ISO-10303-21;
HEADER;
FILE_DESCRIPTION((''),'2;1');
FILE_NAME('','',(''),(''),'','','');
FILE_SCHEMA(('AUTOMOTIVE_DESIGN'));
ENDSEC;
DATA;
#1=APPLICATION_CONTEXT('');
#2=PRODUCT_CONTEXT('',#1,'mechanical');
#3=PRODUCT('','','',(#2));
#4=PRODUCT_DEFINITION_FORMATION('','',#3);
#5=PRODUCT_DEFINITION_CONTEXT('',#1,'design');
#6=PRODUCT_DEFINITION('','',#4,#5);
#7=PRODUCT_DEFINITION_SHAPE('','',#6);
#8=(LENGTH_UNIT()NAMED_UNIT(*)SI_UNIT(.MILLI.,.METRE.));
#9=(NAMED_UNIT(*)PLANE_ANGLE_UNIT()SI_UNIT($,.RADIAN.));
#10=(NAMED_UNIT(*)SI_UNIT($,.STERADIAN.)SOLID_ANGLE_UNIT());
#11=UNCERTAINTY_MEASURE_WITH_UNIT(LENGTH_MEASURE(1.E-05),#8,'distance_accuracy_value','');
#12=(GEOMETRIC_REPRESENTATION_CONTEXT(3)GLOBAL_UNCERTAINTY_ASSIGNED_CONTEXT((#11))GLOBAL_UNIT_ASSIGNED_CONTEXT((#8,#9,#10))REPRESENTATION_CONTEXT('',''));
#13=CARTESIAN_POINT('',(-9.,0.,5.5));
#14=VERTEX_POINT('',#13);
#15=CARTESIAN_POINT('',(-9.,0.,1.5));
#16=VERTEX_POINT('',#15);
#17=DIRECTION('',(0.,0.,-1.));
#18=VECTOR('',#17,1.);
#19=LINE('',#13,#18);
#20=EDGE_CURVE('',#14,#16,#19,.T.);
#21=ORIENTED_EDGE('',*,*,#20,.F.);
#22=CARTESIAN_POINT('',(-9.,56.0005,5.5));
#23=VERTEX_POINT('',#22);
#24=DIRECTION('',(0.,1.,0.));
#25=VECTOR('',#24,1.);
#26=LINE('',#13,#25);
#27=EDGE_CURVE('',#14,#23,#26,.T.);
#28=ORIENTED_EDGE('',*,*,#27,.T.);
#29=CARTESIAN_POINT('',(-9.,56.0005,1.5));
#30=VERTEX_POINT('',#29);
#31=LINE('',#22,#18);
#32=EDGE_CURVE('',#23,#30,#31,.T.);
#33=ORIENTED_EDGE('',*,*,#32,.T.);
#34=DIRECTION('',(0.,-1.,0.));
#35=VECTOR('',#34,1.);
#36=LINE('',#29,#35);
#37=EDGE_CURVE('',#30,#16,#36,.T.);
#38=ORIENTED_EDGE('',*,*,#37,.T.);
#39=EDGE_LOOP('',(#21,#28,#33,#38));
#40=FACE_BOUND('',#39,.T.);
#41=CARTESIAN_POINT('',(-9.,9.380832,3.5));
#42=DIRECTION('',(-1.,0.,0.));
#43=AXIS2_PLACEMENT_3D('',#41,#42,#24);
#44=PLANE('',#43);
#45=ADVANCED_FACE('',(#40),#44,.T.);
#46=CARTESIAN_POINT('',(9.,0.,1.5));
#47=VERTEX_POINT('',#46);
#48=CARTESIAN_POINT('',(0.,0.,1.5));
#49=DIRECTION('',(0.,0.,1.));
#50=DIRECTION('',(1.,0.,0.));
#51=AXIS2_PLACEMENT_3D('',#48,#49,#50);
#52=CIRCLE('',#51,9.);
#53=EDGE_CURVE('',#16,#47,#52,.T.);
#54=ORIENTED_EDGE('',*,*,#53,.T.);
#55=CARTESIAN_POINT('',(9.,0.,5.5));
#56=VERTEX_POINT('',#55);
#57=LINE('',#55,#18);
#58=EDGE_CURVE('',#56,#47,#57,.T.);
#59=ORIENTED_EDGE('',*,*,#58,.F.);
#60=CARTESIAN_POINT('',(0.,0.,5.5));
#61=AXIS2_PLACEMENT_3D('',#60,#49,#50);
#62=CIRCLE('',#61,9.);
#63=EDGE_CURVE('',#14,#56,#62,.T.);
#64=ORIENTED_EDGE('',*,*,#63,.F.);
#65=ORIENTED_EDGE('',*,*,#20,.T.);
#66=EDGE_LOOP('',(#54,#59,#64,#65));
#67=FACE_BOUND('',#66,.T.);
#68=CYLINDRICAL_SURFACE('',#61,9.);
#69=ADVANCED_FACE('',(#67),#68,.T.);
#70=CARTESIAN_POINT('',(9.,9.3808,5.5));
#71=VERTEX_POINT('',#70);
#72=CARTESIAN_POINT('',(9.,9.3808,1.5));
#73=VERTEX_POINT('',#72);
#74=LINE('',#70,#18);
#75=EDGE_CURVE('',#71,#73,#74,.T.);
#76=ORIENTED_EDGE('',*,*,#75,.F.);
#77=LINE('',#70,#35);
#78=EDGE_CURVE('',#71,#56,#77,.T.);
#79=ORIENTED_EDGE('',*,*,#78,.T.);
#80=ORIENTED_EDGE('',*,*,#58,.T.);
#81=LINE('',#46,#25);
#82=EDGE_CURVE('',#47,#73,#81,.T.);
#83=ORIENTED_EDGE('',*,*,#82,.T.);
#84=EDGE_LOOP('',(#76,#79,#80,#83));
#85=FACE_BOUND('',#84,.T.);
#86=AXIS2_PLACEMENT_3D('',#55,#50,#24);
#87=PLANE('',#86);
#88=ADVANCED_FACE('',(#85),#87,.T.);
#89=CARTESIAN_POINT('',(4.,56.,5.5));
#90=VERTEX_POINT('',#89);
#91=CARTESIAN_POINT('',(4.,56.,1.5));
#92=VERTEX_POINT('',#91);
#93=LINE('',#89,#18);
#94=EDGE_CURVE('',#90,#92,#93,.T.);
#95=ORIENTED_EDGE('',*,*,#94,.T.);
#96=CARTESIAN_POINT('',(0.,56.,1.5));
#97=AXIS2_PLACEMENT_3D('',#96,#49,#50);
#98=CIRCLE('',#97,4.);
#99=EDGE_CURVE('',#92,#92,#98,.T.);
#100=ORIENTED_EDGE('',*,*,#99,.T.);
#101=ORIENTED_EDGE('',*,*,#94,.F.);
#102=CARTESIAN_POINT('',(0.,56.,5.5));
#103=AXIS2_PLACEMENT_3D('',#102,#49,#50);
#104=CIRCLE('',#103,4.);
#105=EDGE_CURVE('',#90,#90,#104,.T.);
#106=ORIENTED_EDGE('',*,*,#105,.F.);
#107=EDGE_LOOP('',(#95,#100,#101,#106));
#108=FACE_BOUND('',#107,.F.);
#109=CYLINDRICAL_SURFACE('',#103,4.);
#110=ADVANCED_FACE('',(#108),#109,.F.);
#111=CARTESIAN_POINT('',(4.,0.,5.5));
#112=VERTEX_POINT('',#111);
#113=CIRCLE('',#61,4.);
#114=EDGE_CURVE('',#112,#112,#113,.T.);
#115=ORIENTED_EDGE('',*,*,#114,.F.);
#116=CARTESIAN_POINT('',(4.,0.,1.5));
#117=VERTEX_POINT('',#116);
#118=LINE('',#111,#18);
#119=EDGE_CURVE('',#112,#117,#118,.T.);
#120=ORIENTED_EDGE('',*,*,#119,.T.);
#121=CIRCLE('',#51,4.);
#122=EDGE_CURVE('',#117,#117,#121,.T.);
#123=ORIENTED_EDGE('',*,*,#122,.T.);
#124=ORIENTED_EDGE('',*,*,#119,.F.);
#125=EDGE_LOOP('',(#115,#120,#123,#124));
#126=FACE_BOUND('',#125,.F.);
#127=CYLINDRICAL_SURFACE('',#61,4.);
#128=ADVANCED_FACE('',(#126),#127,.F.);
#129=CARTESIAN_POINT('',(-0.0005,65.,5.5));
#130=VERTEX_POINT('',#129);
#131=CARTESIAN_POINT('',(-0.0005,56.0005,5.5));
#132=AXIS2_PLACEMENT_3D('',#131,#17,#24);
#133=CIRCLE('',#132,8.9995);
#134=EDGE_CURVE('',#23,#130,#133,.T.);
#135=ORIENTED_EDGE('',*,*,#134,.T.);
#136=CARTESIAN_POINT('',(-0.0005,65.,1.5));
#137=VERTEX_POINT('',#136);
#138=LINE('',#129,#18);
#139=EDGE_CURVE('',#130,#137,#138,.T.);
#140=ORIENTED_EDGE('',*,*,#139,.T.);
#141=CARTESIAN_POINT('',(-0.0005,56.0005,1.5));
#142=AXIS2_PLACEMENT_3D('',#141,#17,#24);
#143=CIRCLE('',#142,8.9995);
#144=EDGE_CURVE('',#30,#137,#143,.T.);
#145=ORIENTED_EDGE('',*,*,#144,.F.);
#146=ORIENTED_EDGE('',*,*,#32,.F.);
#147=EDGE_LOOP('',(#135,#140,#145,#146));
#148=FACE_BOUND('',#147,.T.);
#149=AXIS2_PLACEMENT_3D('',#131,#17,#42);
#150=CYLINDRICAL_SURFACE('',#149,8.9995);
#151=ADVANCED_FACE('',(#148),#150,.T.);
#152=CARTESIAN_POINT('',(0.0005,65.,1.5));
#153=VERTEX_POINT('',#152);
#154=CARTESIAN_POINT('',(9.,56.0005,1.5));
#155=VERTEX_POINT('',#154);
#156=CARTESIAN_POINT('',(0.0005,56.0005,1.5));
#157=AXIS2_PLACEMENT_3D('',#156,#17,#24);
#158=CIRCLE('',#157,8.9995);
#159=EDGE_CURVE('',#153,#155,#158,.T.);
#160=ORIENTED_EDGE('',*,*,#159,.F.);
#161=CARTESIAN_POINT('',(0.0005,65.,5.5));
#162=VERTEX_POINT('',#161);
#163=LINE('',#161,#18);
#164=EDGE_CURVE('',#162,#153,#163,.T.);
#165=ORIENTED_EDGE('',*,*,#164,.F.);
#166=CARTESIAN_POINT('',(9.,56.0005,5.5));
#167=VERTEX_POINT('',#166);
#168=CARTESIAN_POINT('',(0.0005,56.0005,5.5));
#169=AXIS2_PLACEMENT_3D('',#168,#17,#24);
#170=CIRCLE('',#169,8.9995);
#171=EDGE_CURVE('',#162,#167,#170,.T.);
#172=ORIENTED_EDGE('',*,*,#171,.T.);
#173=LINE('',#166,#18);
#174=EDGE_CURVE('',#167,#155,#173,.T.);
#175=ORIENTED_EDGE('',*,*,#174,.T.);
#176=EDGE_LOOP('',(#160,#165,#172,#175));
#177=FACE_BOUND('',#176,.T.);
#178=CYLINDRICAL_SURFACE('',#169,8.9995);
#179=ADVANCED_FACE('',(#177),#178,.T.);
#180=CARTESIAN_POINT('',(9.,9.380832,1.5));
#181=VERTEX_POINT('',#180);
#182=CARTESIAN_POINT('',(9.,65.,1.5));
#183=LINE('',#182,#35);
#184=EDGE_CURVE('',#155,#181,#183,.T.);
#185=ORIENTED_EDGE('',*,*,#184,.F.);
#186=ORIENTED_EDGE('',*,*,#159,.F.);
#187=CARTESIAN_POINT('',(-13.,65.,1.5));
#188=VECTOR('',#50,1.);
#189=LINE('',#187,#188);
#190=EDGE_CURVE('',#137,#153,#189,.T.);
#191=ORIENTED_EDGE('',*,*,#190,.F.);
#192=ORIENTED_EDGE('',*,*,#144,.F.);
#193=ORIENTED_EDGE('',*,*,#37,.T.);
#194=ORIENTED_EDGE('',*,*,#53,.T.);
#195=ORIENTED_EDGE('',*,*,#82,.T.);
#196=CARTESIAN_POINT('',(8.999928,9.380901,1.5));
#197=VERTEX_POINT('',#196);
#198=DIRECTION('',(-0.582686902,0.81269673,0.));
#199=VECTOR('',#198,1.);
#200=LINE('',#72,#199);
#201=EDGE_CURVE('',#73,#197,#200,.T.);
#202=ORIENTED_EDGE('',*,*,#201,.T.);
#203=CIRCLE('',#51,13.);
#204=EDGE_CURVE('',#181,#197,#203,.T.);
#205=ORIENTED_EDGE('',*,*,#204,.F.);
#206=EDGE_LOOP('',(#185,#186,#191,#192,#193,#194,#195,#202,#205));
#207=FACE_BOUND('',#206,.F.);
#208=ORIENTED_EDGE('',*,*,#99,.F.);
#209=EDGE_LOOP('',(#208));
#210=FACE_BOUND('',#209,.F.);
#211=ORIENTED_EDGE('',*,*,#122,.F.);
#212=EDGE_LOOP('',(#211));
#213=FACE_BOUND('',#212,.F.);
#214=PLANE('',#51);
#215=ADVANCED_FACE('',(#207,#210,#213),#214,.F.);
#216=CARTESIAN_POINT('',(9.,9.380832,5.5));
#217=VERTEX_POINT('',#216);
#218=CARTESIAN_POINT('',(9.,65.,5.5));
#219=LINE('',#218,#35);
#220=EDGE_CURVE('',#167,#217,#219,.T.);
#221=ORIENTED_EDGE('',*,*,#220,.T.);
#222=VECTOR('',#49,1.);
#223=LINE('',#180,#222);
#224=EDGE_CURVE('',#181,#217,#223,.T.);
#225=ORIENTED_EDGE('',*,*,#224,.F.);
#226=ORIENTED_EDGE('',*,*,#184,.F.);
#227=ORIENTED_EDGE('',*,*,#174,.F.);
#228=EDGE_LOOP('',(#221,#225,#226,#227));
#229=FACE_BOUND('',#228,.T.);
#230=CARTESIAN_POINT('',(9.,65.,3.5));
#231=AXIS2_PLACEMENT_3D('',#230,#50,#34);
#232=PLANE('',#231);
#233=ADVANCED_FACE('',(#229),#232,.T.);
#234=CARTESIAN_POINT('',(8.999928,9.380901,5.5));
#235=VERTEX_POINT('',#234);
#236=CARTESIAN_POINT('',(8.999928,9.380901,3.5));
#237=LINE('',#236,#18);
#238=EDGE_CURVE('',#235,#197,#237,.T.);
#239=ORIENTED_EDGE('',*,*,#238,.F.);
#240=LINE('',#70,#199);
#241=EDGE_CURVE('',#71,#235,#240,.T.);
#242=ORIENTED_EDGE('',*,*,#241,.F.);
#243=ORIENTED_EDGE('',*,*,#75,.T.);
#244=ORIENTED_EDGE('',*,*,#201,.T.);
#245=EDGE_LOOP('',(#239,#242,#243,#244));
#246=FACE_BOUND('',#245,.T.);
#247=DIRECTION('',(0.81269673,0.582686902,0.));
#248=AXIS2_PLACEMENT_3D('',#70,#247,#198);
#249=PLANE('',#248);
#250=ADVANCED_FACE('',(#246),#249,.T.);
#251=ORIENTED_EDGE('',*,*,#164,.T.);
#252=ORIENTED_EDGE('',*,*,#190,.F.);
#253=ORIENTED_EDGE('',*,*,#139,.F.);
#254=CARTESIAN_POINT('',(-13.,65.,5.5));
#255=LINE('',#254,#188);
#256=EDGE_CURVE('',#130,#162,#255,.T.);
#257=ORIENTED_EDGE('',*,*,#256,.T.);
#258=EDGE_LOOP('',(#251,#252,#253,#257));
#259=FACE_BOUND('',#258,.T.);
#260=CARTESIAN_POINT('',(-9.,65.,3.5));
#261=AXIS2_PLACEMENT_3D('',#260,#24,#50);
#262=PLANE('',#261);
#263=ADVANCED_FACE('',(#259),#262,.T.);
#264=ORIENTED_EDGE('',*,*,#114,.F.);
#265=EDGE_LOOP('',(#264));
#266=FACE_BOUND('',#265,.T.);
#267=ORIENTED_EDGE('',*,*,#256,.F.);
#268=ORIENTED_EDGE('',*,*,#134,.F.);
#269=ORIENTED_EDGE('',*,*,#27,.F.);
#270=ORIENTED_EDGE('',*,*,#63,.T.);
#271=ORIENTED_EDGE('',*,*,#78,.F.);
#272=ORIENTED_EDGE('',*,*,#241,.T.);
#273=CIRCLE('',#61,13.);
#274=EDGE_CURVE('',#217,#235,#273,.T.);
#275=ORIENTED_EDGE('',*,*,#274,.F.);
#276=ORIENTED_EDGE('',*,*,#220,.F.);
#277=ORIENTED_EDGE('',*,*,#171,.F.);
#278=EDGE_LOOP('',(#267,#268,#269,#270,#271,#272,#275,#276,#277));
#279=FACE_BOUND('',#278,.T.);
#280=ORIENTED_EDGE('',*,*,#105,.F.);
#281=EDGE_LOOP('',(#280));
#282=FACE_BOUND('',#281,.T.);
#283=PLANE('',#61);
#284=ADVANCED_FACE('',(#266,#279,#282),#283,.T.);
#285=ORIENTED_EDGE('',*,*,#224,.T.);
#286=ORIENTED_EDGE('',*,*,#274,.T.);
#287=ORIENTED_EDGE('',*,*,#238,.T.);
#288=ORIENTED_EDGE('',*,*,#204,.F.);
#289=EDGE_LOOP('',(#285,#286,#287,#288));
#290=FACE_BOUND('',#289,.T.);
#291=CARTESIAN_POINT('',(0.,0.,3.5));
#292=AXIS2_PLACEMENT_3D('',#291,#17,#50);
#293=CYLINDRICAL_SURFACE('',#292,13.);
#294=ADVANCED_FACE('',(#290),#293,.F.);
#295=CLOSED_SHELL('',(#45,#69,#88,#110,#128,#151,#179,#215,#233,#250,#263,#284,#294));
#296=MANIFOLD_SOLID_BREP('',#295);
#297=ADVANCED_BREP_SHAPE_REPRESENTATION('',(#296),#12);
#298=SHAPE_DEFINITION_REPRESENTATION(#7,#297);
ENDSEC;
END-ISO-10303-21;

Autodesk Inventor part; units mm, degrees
ref_plane "YZ Plane" through (0, 0, 0) normal (1, 0, 0) x (0, 1, 0)
ref_plane "XZ Plane" through (0, 0, 0) normal (0, 1, 0) x (-1, 0, 0)
ref_plane "Work Plane1" through (0, 0, 3.5) normal (0, 0, 1) x (1, 0, 0)
sketch "Sketch2" plane through (0, 0, 3.5) normal (0, 0, 1) x (1, 0, 0)
  circle A0 centre (0, 0) radius 13 projected
  line L0 (13, 0) -> (-13, 0)
  line L1 (-13, 0) -> (-13, 65)
  line L2 (-13, 65) -> (13, 65)
  line L3 (13, 65) -> (13, 0)
  line L4 (9, 0) -> (-9, 0)
  line L5 (-9, 0) -> (-9, 65)
  line L6 (-9, 65) -> (9, 65)
  line L7 (9, 65) -> (9, 0)
  point P0 (9, 9.3808)
  point P1 (9, 65)
  point P2 (-9, 9.3808)
  dimension "d5" = 65
  dimension "d15" = 18
extrude "Extrusion2" add sketch "Sketch2" along normal blind 2 and the other way blind 2 contours L5 L2 L7 A0
fillet "Fillet1" radius 9 2 edges at (9, 65, 3.5) (-9, 65, 3.5)
sketch "Sketch3" plane through (0, 0, 5.5) normal (0, 0, 1) x (1, 0, 0)
  circle A0 centre (0, 56) radius 4
  arc A1 (9, 56) -> (-9, 56) centre (0, 56) ccw projected
  point P0 (0, 0)
  dimension "d11" = 8
  dimension "d17" = 0
extrude "Extrusion3" cut sketch "Sketch3" against normal up to surface (4 mm away)
sketch "Sketch4" plane through (0, 0, 5.5) normal (0, 0, 1) x (1, 0, 0)
  circle A0 centre (0, 0) radius 11 projected
  circle A1 centre (0, 0) radius 4
  circle A2 centre (0, 0) radius 9
  line L0 (9, 9.3808) -> (9, 56) projected
  line L1 (9, 0) -> (9, 9.3808)
  line L2 (-9, 0) -> (-9, 9.8723)
  line L3 (-9, 56) -> (-9, 9.3808) projected
  line L4 (9, 9.3808) -> (4, 16.3545)
  line L5 (4, 16.3545) -> (-2.5597, 14.9818)
  line L6 (-2.5597, 14.9818) -> (-9, 9.8723)
  dimension "d18" = 8
  dimension "d19" = 18
extrude "Extrusion4" add sketch "Sketch4" against normal blind 4 contours L1 A2 L2 A0 | A0 L2 L6 L5 L4 L1 | A2 picked at (7.6596, 6.8574)
properties part number "zawieszenie ramie"
